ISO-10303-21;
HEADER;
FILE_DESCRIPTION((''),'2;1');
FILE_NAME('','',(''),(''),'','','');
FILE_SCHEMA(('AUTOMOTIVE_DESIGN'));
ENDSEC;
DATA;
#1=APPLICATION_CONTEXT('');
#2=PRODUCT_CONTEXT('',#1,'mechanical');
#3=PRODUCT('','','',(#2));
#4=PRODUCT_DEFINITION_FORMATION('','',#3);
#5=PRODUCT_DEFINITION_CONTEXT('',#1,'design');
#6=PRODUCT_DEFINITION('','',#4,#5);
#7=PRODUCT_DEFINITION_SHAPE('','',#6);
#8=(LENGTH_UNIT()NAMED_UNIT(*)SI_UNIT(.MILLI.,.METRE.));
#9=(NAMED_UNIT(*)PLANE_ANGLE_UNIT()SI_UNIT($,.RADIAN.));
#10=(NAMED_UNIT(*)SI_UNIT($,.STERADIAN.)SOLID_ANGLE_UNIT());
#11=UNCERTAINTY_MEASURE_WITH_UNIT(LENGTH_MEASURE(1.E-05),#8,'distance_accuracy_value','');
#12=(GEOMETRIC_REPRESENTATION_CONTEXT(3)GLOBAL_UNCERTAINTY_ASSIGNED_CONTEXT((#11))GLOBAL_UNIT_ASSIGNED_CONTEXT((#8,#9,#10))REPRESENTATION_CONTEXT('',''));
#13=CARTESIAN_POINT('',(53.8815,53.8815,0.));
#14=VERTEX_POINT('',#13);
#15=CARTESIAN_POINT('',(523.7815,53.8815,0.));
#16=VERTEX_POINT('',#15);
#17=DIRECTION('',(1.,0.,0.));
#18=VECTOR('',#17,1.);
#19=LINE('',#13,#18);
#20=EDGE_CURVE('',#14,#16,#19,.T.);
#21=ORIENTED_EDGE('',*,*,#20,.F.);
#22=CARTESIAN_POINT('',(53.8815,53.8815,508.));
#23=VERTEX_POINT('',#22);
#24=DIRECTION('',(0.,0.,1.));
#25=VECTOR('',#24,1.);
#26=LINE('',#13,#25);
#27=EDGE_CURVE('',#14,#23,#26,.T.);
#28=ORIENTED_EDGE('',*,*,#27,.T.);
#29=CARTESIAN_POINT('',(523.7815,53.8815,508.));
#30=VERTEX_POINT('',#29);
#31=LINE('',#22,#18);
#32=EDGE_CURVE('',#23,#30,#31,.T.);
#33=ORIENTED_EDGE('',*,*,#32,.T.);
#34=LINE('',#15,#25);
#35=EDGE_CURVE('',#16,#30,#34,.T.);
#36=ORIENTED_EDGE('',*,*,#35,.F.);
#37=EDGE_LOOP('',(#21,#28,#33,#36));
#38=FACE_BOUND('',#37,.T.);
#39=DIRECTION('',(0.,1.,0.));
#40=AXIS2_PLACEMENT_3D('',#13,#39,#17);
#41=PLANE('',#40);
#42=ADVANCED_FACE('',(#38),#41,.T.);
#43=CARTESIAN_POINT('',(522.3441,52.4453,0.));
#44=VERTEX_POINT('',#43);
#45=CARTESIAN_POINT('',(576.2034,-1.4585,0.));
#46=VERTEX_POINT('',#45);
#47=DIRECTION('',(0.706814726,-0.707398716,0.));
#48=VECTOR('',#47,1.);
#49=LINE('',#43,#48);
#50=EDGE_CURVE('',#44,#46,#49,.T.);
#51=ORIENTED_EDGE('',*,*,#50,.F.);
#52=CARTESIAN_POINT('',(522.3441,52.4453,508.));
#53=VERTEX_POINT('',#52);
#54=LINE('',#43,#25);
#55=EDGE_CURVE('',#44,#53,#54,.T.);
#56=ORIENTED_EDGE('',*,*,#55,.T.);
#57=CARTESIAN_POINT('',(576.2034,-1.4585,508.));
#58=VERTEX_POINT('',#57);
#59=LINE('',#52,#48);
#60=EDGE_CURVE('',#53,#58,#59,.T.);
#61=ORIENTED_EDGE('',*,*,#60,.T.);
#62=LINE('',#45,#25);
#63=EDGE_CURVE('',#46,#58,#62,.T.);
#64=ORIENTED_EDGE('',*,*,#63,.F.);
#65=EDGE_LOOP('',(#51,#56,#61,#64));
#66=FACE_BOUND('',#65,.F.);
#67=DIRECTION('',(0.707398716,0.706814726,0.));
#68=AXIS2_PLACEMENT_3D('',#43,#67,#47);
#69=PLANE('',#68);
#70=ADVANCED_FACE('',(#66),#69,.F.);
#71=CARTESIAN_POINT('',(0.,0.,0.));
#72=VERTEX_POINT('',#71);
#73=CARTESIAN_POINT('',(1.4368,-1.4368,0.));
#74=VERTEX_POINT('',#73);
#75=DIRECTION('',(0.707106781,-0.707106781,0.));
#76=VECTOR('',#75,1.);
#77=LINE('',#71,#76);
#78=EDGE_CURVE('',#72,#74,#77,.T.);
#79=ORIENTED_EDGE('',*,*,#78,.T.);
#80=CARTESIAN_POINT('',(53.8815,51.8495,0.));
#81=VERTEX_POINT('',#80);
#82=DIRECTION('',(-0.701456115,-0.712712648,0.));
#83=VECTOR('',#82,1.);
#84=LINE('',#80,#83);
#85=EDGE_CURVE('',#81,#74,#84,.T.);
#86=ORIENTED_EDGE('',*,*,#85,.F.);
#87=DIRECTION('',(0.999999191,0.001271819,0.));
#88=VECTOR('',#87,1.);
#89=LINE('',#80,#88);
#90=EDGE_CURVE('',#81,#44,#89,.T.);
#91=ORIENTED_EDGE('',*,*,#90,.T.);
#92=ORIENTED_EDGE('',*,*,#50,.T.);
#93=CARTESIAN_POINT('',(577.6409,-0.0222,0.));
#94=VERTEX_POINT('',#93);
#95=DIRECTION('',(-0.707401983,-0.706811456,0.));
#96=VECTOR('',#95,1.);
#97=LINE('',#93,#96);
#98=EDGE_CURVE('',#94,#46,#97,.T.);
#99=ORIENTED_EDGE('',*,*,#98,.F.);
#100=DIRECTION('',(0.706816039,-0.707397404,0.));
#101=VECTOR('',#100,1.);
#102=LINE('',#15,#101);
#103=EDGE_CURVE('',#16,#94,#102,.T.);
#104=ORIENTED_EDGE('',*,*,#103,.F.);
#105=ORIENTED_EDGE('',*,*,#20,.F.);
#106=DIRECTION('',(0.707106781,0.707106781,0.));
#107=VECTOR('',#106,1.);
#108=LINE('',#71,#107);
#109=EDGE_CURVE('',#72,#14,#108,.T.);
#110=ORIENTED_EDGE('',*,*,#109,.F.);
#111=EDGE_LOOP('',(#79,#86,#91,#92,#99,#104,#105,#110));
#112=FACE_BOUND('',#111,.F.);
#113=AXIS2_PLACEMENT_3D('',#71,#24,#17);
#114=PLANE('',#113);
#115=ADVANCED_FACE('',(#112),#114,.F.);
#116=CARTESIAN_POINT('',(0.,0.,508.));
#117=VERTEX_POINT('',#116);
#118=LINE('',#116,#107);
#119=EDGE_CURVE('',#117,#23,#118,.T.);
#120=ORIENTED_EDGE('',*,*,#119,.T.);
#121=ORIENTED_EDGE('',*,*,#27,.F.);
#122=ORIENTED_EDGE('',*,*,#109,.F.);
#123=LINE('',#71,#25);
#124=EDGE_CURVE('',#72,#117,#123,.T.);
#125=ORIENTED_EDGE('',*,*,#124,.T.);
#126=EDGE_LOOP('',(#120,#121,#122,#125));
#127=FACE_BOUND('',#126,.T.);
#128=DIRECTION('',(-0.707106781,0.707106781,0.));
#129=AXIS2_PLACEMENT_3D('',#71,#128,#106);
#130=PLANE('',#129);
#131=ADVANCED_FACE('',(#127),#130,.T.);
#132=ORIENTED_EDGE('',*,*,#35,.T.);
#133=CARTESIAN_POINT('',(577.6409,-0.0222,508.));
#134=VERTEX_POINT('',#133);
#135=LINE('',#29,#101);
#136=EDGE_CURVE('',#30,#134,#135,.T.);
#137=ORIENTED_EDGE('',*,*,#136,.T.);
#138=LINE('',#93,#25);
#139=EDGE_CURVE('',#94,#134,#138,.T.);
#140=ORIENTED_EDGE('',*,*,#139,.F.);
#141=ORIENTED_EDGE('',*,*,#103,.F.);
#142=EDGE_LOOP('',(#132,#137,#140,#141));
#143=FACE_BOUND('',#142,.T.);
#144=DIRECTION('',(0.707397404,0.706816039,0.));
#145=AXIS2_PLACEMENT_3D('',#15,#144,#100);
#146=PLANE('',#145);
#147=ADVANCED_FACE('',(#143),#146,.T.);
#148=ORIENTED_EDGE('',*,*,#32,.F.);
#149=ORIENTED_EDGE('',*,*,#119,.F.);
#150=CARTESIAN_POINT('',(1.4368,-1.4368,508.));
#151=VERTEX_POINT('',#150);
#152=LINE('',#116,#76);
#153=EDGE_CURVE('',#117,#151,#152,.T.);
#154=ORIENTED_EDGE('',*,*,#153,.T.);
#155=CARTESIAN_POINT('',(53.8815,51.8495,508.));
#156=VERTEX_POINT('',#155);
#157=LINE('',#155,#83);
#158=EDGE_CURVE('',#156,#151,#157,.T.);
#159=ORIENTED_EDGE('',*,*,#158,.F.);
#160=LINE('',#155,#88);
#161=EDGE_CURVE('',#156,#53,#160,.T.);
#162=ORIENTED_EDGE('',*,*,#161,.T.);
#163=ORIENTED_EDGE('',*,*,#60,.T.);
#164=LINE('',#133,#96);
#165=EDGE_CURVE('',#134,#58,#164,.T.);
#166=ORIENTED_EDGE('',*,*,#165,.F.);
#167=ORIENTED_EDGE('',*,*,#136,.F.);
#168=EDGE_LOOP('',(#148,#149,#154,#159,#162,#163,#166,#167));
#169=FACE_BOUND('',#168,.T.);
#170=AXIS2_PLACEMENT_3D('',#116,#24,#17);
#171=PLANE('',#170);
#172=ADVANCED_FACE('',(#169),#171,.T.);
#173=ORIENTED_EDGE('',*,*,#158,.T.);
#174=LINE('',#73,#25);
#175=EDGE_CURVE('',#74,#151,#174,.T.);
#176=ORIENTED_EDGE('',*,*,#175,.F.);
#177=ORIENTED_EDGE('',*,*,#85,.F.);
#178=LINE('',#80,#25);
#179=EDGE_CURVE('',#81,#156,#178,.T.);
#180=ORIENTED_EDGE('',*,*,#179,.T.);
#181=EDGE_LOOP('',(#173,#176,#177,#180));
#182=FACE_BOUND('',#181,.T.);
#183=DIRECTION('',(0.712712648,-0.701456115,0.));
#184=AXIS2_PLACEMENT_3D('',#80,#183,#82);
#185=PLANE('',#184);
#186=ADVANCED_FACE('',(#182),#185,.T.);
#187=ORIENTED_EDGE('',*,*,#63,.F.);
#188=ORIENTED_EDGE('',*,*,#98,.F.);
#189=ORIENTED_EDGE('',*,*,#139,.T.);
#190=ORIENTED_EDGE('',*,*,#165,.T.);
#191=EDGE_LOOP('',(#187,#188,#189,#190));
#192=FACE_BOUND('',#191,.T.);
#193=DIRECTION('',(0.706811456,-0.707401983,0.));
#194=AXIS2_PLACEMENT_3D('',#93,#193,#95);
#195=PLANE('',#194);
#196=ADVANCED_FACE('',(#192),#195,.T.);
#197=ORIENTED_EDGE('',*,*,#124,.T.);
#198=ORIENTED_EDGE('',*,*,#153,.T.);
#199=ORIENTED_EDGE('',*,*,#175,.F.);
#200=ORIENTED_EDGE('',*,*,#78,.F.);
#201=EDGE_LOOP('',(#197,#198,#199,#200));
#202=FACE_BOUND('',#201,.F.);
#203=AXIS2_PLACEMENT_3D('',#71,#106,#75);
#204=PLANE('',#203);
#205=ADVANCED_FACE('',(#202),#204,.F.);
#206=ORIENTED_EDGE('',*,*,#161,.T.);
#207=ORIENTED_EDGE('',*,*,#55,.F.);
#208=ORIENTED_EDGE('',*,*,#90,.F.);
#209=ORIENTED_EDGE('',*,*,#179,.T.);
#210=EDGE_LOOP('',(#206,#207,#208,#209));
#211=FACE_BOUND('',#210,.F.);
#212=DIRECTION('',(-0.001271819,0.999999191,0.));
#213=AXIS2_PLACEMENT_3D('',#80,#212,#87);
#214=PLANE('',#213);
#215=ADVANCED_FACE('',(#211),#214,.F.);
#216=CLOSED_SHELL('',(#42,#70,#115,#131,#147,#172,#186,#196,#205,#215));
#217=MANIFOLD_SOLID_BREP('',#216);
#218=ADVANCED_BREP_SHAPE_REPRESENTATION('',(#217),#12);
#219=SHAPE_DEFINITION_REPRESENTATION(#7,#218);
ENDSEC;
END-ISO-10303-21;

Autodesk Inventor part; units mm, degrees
ref_plane "YZ Plane" through (0, 0, 0) normal (1, 0, 0) x (0, 1, 0)
ref_plane "XZ Plane" through (0, 0, 0) normal (0, 1, 0) x (-1, 0, 0)
ref_plane "XY Plane" through (0, 0, 0) normal (0, 0, 1) x (1, 0, 0)
sketch "Sketch1" plane through (0, 0, 0) normal (0, 0, 1) x (1, 0, 0)
  line L0 (0, 0) -> (53.8815, 53.8815)
  line L1 (0, 0) -> (76.2, 0) construction
  line L2 (0, 0) -> (1.4368, -1.4368)
  line L3 (53.8815, 53.8815) -> (523.7815, 53.8815) construction
  line L4 (523.7815, 53.8815) -> (577.6409, -0.0222)
  line L5 (577.6409, -0.0222) -> (576.2034, -1.4585)
  line L6 (523.7815, 53.8815) -> (525.8135, 53.8815) construction
  line L7 (522.3441, 52.4453) -> (576.2034, -1.4585)
  line L8 (53.8815, 51.8495) -> (1.4368, -1.4368)
  line L9 (53.8815, 51.8495) -> (522.3441, 52.4453)
  line L10 (53.8815, 53.8815) -> (523.7815, 53.8815)
  dimension "d0" = 76.2
  dimension "d1" = 45
  dimension "d2" = 2.032
  dimension "d5" = 76.2
  dimension "d6" = 2.032
  dimension "d7" = 2.032
  dimension "d9" = 2.032
extrude "Extrusion1" add sketch "Sketch1" along normal blind 508
properties part number "LoadSlide" material "Polycarbonate, Clear"
